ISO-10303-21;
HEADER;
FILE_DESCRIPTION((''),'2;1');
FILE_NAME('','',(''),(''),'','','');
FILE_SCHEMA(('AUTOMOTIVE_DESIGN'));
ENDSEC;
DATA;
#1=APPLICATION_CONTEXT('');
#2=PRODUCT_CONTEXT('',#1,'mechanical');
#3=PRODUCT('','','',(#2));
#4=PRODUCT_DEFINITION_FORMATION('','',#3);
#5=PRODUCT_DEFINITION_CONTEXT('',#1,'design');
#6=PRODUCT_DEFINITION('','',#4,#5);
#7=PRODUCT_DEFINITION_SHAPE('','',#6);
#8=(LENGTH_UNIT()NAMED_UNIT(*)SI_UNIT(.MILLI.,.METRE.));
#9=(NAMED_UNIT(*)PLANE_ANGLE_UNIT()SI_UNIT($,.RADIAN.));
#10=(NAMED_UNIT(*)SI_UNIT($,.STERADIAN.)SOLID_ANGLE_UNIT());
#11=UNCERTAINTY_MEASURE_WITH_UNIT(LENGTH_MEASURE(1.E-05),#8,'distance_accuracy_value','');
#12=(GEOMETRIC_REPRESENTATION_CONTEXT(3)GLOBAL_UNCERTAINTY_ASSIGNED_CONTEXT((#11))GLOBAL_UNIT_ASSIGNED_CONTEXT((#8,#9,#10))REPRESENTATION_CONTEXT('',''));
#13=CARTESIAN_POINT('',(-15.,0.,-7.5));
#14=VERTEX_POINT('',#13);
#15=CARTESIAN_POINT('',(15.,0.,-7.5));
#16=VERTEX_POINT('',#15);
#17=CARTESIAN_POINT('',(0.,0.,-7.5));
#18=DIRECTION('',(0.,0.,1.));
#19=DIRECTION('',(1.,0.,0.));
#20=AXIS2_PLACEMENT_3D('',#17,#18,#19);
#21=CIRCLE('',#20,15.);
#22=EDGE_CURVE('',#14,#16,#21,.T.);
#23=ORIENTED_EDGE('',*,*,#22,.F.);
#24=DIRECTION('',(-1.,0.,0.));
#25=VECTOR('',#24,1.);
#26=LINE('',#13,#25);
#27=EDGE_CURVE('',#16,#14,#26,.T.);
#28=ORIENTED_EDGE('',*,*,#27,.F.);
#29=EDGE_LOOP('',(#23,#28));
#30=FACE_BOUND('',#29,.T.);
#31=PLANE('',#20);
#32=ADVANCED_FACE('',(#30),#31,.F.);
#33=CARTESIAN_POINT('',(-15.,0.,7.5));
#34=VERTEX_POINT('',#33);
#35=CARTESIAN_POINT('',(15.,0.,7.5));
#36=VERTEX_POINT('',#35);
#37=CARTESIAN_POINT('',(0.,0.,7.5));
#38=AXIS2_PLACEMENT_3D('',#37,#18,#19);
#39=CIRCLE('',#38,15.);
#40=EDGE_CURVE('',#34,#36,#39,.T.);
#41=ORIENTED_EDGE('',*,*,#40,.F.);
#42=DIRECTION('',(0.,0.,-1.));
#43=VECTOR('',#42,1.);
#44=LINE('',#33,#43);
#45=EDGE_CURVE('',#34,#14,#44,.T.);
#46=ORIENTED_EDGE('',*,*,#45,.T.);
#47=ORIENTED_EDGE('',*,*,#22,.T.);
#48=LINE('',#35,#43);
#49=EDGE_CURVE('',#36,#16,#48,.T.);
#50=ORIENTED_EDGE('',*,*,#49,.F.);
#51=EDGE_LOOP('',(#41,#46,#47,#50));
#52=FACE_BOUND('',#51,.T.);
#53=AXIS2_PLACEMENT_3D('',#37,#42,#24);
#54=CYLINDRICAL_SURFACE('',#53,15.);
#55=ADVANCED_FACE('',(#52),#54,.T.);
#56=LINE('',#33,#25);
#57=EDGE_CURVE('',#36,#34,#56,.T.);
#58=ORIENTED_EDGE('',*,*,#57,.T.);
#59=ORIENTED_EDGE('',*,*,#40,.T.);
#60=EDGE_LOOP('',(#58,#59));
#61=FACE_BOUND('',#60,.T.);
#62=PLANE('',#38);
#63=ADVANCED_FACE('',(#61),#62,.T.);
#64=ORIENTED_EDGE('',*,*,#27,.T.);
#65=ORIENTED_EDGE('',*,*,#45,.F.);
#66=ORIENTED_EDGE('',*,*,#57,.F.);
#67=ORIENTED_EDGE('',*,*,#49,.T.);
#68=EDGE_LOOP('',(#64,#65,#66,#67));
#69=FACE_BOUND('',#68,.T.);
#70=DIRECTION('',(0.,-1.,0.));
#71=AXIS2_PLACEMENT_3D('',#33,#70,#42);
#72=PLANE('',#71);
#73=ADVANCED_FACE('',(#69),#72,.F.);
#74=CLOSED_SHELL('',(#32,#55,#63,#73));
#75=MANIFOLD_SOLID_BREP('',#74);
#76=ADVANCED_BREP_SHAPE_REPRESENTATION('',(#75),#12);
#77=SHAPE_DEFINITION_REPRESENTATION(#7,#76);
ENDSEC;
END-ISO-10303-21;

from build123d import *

# Parameters (mm, degrees)
BOSS_EXTRUDE1_DEPTH = 7.5


with BuildPart() as part:
    # Sketch2 → Boss-Extrude1 (new body, symmetric)
    with BuildSketch(Plane.XY):
        with BuildLine():
            Line((-15, 0), (15, 0))
            ThreePointArc((15, 0), (0, -15), (-15, 0))
        make_face()
    extrude(amount=BOSS_EXTRUDE1_DEPTH, both=True)


solid = part.part
